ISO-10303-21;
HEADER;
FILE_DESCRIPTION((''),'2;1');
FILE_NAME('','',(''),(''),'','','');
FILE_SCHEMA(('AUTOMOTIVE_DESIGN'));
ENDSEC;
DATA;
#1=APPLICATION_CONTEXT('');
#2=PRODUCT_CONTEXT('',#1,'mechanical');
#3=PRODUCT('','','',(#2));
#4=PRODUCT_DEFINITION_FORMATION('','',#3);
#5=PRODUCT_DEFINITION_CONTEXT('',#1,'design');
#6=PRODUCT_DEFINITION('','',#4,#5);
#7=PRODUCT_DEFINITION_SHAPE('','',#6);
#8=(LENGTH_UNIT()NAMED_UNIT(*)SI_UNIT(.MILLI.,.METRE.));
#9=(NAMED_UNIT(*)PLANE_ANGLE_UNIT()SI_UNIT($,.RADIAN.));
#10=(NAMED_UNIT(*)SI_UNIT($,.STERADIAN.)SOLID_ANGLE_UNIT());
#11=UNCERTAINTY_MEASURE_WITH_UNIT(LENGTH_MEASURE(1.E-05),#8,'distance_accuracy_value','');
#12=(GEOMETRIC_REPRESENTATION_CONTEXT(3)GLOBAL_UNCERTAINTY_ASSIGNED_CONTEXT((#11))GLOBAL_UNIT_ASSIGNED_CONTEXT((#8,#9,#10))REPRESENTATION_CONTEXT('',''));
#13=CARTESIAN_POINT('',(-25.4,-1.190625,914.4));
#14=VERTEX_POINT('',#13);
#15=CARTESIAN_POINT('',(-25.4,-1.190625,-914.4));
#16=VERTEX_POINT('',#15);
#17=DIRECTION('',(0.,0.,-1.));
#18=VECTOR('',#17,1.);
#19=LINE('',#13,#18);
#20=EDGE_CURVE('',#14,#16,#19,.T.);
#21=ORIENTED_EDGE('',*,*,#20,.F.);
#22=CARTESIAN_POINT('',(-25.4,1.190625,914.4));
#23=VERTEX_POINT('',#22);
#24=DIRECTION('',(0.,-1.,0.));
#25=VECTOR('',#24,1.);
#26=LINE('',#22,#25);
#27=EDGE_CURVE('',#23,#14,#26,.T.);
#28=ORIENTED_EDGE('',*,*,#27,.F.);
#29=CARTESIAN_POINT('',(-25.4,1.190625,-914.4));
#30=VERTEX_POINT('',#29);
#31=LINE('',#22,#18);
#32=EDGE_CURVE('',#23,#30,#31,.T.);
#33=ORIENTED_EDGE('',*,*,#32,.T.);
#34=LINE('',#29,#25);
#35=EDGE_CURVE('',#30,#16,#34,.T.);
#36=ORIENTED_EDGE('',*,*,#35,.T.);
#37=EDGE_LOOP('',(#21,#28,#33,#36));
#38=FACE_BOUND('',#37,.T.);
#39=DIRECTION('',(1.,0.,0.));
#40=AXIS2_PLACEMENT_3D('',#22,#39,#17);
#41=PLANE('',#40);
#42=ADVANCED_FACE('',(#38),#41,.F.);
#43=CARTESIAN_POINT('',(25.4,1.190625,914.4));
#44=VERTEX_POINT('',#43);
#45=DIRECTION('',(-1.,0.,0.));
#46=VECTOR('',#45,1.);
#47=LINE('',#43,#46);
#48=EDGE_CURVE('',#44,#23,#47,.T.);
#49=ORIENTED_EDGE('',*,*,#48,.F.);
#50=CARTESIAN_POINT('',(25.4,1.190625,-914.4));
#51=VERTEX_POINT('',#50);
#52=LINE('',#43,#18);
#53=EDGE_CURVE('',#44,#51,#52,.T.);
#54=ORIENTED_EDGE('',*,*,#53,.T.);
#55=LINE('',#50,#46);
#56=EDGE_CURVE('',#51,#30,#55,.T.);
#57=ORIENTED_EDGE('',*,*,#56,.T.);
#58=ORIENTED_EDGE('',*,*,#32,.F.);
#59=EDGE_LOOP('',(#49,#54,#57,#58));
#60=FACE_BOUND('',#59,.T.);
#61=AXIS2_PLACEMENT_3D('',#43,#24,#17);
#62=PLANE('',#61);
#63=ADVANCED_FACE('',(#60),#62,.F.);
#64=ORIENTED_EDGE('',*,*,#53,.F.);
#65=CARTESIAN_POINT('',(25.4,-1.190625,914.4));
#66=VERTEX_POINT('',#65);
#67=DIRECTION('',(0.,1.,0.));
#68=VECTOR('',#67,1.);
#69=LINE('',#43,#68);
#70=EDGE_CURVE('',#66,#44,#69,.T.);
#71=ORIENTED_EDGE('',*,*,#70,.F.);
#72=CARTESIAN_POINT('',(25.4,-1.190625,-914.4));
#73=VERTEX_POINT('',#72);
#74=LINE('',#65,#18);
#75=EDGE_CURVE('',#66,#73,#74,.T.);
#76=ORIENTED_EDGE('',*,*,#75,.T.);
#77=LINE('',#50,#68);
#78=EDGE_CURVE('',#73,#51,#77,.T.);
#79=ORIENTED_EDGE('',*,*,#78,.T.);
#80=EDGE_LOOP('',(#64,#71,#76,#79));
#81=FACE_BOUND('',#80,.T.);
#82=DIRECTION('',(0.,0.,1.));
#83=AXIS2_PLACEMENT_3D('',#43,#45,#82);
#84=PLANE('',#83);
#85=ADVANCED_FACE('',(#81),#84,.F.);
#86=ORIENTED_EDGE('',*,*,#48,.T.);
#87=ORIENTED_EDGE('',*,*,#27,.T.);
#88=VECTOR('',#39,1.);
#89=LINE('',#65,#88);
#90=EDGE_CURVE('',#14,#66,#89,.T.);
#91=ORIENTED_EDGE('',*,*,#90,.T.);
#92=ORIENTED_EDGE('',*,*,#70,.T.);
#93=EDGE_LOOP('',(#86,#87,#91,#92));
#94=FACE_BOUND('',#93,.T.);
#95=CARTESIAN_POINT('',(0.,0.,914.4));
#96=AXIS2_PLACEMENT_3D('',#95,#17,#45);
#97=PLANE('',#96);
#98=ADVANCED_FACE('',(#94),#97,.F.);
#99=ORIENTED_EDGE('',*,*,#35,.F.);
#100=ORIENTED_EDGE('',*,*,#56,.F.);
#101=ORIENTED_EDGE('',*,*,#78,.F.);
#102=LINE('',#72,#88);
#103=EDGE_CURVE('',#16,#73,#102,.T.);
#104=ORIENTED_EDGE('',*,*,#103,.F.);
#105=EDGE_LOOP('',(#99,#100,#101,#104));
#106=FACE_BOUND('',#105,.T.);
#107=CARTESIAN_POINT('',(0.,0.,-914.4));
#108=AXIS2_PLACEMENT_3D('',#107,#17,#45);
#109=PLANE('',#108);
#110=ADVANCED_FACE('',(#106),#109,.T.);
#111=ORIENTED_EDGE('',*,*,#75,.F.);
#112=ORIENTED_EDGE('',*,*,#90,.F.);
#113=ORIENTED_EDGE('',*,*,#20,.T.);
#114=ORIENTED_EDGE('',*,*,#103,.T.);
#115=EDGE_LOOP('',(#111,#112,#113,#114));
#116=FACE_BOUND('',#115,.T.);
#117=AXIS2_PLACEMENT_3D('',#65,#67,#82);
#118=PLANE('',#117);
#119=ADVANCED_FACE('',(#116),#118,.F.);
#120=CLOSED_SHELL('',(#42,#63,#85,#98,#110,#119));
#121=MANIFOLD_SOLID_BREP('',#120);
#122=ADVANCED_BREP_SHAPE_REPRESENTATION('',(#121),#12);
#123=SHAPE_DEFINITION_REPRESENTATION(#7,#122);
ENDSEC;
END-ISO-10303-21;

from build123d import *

# Parameters (mm, degrees)
BOSS_EXTRUDE1_DEPTH      = 914.4
BOSS_EXTRUDE1_DEPTH_BACK = 914.4
SKETCH3_W                = 50.8
SKETCH3_H                = 2.38125


with BuildPart() as part:
    # Sketch3 → Boss-Extrude1 (new, two sides: drawn at the far end of the back side and taken through both)
    with BuildSketch(Plane.XY.offset(-BOSS_EXTRUDE1_DEPTH_BACK)):
        Rectangle(SKETCH3_W, SKETCH3_H)
    extrude(amount=BOSS_EXTRUDE1_DEPTH + BOSS_EXTRUDE1_DEPTH_BACK)


solid = part.part
